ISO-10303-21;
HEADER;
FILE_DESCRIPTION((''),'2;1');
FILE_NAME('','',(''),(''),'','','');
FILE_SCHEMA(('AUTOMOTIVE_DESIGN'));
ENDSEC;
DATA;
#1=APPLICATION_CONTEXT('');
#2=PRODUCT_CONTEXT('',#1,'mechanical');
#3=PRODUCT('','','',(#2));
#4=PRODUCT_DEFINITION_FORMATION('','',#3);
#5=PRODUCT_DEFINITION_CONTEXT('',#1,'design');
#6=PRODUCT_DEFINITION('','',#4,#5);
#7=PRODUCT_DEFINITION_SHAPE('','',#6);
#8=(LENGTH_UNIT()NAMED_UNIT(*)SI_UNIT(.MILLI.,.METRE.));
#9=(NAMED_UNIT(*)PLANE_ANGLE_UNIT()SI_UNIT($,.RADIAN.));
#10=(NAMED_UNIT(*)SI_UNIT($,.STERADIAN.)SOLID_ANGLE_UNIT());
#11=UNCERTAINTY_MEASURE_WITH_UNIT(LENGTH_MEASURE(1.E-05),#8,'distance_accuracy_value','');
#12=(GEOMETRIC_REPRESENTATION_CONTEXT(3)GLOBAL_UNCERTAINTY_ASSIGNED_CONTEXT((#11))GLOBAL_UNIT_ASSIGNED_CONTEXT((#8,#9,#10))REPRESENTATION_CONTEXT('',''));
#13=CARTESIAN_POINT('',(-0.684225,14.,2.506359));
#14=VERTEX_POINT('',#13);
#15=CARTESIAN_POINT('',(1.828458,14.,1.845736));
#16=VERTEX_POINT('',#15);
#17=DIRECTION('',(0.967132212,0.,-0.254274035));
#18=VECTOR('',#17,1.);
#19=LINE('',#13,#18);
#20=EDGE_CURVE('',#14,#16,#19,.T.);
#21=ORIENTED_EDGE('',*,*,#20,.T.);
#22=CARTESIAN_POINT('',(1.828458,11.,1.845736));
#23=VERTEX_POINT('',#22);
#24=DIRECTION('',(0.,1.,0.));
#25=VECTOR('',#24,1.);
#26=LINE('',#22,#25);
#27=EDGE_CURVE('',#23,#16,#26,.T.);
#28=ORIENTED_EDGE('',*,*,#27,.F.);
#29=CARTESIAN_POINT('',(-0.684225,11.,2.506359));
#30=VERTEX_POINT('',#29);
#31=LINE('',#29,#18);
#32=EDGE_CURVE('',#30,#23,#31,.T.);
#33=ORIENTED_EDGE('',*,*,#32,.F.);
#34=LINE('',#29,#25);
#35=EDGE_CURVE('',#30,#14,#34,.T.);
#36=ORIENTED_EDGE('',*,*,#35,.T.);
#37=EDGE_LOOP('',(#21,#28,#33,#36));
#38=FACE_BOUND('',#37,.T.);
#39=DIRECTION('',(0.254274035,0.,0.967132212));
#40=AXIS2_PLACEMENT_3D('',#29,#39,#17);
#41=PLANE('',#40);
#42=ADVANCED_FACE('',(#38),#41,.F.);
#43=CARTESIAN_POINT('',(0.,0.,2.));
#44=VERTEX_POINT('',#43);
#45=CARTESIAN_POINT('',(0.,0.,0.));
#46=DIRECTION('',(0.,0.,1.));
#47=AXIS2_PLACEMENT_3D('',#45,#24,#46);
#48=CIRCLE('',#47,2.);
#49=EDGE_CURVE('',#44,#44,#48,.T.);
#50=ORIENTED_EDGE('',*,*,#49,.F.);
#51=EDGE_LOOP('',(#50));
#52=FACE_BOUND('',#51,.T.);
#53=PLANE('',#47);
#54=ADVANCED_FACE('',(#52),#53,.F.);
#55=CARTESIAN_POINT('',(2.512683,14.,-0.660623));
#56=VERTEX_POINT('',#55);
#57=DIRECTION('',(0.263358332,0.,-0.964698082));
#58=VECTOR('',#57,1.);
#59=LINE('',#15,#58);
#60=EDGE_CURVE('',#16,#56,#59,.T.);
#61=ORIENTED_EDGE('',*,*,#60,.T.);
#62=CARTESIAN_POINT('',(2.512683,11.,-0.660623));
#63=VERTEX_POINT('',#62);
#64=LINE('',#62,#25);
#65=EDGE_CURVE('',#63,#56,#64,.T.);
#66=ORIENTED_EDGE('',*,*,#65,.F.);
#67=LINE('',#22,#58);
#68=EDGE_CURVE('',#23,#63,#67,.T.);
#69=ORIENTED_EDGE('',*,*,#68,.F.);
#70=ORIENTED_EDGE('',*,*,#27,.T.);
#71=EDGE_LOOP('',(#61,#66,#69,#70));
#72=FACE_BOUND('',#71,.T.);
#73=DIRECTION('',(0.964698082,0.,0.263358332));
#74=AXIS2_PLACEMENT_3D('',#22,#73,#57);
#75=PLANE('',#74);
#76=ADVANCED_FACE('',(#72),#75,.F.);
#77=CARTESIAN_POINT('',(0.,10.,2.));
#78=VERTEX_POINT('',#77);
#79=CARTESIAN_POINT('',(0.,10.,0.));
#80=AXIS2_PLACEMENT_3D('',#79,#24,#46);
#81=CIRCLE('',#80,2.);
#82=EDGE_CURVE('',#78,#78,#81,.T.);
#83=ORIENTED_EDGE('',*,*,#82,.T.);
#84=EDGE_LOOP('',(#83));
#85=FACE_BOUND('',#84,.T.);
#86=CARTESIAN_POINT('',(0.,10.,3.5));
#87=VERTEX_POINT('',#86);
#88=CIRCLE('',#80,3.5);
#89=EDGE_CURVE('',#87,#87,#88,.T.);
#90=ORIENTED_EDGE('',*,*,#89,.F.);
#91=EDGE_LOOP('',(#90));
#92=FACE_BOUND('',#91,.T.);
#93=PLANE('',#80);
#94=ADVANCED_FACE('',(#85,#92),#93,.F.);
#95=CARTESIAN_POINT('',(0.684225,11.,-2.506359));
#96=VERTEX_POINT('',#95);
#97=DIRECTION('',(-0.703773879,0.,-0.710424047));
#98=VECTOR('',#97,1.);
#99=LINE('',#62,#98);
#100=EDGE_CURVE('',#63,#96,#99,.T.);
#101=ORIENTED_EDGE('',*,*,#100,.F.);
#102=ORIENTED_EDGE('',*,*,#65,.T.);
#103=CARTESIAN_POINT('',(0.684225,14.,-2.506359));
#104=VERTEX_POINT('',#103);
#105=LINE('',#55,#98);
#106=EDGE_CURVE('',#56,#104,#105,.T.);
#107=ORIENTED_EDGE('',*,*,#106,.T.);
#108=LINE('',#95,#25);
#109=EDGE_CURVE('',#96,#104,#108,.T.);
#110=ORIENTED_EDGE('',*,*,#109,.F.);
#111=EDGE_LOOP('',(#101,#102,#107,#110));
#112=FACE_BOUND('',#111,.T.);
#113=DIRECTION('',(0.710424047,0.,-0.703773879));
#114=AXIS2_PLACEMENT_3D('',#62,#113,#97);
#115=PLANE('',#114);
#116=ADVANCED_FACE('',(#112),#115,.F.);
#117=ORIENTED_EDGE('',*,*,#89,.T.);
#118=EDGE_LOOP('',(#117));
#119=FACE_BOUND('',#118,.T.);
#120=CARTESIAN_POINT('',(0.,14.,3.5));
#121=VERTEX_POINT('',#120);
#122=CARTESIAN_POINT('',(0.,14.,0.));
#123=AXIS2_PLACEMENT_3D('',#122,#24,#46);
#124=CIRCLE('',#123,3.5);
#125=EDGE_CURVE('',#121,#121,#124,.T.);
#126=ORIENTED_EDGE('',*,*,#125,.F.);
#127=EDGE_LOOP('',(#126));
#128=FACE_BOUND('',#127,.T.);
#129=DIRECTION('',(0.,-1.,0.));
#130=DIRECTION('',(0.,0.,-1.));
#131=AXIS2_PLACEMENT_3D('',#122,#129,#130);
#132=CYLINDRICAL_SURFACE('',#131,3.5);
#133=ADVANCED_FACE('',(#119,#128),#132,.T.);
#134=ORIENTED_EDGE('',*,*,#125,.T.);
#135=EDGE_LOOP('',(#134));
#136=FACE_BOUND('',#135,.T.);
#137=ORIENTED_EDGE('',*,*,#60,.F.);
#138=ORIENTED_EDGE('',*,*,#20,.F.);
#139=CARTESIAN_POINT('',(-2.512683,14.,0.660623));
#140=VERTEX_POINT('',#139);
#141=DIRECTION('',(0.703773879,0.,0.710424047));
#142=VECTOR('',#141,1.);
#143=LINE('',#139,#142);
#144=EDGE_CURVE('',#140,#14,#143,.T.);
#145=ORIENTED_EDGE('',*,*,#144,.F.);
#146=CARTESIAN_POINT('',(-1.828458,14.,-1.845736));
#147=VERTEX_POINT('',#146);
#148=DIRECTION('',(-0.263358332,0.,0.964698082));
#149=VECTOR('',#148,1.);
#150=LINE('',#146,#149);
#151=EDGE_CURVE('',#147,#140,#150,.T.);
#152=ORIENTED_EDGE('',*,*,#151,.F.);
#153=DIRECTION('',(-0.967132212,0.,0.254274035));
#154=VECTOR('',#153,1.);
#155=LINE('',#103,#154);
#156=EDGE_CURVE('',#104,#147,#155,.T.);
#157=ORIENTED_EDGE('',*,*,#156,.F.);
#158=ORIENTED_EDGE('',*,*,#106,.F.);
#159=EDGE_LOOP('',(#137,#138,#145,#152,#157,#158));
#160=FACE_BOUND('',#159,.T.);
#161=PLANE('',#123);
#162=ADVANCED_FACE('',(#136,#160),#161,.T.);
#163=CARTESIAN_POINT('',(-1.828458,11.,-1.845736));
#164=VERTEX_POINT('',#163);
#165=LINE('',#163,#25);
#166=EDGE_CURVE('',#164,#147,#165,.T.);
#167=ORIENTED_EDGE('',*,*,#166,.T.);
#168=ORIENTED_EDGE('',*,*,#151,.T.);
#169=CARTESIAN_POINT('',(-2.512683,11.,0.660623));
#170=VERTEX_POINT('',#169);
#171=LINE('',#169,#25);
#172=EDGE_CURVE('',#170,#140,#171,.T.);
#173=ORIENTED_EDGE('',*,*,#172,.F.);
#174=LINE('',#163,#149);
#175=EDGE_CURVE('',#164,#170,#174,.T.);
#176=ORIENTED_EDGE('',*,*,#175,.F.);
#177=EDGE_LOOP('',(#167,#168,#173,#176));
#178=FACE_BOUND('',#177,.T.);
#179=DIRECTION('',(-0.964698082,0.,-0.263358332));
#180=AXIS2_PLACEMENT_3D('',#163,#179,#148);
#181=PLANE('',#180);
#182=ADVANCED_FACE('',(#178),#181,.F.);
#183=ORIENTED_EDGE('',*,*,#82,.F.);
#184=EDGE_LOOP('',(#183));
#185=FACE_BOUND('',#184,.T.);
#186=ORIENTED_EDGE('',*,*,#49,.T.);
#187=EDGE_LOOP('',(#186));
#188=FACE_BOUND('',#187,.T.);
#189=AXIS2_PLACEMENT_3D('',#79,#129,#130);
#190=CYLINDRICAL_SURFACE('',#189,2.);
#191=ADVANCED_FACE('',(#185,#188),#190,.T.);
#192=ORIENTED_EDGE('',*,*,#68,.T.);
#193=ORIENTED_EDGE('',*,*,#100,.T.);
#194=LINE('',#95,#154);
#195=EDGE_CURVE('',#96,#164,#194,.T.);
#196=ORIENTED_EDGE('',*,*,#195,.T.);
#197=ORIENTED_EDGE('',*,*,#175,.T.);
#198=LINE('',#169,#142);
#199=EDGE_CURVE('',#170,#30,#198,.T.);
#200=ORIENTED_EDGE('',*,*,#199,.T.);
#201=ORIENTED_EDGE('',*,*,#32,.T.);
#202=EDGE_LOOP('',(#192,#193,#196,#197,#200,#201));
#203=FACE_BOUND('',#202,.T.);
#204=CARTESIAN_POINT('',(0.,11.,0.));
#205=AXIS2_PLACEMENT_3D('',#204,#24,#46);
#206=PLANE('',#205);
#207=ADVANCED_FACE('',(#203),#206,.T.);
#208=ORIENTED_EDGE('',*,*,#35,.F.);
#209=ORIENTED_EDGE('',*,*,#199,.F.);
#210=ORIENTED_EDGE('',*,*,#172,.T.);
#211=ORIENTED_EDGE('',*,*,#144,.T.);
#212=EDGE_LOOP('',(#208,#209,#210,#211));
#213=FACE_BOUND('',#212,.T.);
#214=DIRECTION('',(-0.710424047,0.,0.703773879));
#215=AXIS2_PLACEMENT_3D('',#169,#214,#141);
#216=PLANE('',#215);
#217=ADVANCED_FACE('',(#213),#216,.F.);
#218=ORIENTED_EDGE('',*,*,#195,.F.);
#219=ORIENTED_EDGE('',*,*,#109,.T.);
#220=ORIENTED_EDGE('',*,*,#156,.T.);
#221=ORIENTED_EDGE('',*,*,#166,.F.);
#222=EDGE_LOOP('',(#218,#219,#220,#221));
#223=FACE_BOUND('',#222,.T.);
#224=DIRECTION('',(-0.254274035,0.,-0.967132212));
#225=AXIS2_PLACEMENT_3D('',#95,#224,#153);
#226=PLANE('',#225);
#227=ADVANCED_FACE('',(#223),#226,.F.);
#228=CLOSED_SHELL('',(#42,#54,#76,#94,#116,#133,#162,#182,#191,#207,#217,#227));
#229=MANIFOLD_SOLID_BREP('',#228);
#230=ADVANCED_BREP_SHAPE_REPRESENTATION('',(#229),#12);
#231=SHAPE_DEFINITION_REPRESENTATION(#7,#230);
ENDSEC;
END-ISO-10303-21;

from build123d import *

# Parameters (mm, degrees)
SKETCH1_R           = 2
BOSS_EXTRUDE1_DEPTH = 10
SKETCH2_R           = 3.5
BOSS_EXTRUDE2_DEPTH = 4
CUT_EXTRUDE1_DEPTH  = 3


with BuildPart() as part:
    # Sketch1 → Boss-Extrude1 (new body)
    with BuildSketch(Plane(origin=(0, 0, 0), x_dir=(1, 0, 0), z_dir=(0, 1, 0))):
        Circle(SKETCH1_R)
    extrude(amount=BOSS_EXTRUDE1_DEPTH)

    # Sketch2 → Boss-Extrude2 (add)
    with BuildSketch(Plane(origin=(0, 10, 0), x_dir=(1, 0, 0), z_dir=(0, 1, 0))):
        Circle(SKETCH2_R)
    extrude(amount=BOSS_EXTRUDE2_DEPTH)

    # Sketch3 → Cut-Extrude1 (cut)
    with BuildSketch(Plane(origin=(0, 14, 0), x_dir=(1, 0, 0), z_dir=(0, 1, 0))):
        Polygon((2.512683193, 0.66062332), (0.684225019, 2.506359137), (-1.828458174, 1.845735817), (-2.512683193, -0.66062332), (-0.684225019, -2.506359137), (1.828458174, -1.845735817), align=None)
    extrude(amount=-CUT_EXTRUDE1_DEPTH, mode=Mode.SUBTRACT)


solid = part.part
